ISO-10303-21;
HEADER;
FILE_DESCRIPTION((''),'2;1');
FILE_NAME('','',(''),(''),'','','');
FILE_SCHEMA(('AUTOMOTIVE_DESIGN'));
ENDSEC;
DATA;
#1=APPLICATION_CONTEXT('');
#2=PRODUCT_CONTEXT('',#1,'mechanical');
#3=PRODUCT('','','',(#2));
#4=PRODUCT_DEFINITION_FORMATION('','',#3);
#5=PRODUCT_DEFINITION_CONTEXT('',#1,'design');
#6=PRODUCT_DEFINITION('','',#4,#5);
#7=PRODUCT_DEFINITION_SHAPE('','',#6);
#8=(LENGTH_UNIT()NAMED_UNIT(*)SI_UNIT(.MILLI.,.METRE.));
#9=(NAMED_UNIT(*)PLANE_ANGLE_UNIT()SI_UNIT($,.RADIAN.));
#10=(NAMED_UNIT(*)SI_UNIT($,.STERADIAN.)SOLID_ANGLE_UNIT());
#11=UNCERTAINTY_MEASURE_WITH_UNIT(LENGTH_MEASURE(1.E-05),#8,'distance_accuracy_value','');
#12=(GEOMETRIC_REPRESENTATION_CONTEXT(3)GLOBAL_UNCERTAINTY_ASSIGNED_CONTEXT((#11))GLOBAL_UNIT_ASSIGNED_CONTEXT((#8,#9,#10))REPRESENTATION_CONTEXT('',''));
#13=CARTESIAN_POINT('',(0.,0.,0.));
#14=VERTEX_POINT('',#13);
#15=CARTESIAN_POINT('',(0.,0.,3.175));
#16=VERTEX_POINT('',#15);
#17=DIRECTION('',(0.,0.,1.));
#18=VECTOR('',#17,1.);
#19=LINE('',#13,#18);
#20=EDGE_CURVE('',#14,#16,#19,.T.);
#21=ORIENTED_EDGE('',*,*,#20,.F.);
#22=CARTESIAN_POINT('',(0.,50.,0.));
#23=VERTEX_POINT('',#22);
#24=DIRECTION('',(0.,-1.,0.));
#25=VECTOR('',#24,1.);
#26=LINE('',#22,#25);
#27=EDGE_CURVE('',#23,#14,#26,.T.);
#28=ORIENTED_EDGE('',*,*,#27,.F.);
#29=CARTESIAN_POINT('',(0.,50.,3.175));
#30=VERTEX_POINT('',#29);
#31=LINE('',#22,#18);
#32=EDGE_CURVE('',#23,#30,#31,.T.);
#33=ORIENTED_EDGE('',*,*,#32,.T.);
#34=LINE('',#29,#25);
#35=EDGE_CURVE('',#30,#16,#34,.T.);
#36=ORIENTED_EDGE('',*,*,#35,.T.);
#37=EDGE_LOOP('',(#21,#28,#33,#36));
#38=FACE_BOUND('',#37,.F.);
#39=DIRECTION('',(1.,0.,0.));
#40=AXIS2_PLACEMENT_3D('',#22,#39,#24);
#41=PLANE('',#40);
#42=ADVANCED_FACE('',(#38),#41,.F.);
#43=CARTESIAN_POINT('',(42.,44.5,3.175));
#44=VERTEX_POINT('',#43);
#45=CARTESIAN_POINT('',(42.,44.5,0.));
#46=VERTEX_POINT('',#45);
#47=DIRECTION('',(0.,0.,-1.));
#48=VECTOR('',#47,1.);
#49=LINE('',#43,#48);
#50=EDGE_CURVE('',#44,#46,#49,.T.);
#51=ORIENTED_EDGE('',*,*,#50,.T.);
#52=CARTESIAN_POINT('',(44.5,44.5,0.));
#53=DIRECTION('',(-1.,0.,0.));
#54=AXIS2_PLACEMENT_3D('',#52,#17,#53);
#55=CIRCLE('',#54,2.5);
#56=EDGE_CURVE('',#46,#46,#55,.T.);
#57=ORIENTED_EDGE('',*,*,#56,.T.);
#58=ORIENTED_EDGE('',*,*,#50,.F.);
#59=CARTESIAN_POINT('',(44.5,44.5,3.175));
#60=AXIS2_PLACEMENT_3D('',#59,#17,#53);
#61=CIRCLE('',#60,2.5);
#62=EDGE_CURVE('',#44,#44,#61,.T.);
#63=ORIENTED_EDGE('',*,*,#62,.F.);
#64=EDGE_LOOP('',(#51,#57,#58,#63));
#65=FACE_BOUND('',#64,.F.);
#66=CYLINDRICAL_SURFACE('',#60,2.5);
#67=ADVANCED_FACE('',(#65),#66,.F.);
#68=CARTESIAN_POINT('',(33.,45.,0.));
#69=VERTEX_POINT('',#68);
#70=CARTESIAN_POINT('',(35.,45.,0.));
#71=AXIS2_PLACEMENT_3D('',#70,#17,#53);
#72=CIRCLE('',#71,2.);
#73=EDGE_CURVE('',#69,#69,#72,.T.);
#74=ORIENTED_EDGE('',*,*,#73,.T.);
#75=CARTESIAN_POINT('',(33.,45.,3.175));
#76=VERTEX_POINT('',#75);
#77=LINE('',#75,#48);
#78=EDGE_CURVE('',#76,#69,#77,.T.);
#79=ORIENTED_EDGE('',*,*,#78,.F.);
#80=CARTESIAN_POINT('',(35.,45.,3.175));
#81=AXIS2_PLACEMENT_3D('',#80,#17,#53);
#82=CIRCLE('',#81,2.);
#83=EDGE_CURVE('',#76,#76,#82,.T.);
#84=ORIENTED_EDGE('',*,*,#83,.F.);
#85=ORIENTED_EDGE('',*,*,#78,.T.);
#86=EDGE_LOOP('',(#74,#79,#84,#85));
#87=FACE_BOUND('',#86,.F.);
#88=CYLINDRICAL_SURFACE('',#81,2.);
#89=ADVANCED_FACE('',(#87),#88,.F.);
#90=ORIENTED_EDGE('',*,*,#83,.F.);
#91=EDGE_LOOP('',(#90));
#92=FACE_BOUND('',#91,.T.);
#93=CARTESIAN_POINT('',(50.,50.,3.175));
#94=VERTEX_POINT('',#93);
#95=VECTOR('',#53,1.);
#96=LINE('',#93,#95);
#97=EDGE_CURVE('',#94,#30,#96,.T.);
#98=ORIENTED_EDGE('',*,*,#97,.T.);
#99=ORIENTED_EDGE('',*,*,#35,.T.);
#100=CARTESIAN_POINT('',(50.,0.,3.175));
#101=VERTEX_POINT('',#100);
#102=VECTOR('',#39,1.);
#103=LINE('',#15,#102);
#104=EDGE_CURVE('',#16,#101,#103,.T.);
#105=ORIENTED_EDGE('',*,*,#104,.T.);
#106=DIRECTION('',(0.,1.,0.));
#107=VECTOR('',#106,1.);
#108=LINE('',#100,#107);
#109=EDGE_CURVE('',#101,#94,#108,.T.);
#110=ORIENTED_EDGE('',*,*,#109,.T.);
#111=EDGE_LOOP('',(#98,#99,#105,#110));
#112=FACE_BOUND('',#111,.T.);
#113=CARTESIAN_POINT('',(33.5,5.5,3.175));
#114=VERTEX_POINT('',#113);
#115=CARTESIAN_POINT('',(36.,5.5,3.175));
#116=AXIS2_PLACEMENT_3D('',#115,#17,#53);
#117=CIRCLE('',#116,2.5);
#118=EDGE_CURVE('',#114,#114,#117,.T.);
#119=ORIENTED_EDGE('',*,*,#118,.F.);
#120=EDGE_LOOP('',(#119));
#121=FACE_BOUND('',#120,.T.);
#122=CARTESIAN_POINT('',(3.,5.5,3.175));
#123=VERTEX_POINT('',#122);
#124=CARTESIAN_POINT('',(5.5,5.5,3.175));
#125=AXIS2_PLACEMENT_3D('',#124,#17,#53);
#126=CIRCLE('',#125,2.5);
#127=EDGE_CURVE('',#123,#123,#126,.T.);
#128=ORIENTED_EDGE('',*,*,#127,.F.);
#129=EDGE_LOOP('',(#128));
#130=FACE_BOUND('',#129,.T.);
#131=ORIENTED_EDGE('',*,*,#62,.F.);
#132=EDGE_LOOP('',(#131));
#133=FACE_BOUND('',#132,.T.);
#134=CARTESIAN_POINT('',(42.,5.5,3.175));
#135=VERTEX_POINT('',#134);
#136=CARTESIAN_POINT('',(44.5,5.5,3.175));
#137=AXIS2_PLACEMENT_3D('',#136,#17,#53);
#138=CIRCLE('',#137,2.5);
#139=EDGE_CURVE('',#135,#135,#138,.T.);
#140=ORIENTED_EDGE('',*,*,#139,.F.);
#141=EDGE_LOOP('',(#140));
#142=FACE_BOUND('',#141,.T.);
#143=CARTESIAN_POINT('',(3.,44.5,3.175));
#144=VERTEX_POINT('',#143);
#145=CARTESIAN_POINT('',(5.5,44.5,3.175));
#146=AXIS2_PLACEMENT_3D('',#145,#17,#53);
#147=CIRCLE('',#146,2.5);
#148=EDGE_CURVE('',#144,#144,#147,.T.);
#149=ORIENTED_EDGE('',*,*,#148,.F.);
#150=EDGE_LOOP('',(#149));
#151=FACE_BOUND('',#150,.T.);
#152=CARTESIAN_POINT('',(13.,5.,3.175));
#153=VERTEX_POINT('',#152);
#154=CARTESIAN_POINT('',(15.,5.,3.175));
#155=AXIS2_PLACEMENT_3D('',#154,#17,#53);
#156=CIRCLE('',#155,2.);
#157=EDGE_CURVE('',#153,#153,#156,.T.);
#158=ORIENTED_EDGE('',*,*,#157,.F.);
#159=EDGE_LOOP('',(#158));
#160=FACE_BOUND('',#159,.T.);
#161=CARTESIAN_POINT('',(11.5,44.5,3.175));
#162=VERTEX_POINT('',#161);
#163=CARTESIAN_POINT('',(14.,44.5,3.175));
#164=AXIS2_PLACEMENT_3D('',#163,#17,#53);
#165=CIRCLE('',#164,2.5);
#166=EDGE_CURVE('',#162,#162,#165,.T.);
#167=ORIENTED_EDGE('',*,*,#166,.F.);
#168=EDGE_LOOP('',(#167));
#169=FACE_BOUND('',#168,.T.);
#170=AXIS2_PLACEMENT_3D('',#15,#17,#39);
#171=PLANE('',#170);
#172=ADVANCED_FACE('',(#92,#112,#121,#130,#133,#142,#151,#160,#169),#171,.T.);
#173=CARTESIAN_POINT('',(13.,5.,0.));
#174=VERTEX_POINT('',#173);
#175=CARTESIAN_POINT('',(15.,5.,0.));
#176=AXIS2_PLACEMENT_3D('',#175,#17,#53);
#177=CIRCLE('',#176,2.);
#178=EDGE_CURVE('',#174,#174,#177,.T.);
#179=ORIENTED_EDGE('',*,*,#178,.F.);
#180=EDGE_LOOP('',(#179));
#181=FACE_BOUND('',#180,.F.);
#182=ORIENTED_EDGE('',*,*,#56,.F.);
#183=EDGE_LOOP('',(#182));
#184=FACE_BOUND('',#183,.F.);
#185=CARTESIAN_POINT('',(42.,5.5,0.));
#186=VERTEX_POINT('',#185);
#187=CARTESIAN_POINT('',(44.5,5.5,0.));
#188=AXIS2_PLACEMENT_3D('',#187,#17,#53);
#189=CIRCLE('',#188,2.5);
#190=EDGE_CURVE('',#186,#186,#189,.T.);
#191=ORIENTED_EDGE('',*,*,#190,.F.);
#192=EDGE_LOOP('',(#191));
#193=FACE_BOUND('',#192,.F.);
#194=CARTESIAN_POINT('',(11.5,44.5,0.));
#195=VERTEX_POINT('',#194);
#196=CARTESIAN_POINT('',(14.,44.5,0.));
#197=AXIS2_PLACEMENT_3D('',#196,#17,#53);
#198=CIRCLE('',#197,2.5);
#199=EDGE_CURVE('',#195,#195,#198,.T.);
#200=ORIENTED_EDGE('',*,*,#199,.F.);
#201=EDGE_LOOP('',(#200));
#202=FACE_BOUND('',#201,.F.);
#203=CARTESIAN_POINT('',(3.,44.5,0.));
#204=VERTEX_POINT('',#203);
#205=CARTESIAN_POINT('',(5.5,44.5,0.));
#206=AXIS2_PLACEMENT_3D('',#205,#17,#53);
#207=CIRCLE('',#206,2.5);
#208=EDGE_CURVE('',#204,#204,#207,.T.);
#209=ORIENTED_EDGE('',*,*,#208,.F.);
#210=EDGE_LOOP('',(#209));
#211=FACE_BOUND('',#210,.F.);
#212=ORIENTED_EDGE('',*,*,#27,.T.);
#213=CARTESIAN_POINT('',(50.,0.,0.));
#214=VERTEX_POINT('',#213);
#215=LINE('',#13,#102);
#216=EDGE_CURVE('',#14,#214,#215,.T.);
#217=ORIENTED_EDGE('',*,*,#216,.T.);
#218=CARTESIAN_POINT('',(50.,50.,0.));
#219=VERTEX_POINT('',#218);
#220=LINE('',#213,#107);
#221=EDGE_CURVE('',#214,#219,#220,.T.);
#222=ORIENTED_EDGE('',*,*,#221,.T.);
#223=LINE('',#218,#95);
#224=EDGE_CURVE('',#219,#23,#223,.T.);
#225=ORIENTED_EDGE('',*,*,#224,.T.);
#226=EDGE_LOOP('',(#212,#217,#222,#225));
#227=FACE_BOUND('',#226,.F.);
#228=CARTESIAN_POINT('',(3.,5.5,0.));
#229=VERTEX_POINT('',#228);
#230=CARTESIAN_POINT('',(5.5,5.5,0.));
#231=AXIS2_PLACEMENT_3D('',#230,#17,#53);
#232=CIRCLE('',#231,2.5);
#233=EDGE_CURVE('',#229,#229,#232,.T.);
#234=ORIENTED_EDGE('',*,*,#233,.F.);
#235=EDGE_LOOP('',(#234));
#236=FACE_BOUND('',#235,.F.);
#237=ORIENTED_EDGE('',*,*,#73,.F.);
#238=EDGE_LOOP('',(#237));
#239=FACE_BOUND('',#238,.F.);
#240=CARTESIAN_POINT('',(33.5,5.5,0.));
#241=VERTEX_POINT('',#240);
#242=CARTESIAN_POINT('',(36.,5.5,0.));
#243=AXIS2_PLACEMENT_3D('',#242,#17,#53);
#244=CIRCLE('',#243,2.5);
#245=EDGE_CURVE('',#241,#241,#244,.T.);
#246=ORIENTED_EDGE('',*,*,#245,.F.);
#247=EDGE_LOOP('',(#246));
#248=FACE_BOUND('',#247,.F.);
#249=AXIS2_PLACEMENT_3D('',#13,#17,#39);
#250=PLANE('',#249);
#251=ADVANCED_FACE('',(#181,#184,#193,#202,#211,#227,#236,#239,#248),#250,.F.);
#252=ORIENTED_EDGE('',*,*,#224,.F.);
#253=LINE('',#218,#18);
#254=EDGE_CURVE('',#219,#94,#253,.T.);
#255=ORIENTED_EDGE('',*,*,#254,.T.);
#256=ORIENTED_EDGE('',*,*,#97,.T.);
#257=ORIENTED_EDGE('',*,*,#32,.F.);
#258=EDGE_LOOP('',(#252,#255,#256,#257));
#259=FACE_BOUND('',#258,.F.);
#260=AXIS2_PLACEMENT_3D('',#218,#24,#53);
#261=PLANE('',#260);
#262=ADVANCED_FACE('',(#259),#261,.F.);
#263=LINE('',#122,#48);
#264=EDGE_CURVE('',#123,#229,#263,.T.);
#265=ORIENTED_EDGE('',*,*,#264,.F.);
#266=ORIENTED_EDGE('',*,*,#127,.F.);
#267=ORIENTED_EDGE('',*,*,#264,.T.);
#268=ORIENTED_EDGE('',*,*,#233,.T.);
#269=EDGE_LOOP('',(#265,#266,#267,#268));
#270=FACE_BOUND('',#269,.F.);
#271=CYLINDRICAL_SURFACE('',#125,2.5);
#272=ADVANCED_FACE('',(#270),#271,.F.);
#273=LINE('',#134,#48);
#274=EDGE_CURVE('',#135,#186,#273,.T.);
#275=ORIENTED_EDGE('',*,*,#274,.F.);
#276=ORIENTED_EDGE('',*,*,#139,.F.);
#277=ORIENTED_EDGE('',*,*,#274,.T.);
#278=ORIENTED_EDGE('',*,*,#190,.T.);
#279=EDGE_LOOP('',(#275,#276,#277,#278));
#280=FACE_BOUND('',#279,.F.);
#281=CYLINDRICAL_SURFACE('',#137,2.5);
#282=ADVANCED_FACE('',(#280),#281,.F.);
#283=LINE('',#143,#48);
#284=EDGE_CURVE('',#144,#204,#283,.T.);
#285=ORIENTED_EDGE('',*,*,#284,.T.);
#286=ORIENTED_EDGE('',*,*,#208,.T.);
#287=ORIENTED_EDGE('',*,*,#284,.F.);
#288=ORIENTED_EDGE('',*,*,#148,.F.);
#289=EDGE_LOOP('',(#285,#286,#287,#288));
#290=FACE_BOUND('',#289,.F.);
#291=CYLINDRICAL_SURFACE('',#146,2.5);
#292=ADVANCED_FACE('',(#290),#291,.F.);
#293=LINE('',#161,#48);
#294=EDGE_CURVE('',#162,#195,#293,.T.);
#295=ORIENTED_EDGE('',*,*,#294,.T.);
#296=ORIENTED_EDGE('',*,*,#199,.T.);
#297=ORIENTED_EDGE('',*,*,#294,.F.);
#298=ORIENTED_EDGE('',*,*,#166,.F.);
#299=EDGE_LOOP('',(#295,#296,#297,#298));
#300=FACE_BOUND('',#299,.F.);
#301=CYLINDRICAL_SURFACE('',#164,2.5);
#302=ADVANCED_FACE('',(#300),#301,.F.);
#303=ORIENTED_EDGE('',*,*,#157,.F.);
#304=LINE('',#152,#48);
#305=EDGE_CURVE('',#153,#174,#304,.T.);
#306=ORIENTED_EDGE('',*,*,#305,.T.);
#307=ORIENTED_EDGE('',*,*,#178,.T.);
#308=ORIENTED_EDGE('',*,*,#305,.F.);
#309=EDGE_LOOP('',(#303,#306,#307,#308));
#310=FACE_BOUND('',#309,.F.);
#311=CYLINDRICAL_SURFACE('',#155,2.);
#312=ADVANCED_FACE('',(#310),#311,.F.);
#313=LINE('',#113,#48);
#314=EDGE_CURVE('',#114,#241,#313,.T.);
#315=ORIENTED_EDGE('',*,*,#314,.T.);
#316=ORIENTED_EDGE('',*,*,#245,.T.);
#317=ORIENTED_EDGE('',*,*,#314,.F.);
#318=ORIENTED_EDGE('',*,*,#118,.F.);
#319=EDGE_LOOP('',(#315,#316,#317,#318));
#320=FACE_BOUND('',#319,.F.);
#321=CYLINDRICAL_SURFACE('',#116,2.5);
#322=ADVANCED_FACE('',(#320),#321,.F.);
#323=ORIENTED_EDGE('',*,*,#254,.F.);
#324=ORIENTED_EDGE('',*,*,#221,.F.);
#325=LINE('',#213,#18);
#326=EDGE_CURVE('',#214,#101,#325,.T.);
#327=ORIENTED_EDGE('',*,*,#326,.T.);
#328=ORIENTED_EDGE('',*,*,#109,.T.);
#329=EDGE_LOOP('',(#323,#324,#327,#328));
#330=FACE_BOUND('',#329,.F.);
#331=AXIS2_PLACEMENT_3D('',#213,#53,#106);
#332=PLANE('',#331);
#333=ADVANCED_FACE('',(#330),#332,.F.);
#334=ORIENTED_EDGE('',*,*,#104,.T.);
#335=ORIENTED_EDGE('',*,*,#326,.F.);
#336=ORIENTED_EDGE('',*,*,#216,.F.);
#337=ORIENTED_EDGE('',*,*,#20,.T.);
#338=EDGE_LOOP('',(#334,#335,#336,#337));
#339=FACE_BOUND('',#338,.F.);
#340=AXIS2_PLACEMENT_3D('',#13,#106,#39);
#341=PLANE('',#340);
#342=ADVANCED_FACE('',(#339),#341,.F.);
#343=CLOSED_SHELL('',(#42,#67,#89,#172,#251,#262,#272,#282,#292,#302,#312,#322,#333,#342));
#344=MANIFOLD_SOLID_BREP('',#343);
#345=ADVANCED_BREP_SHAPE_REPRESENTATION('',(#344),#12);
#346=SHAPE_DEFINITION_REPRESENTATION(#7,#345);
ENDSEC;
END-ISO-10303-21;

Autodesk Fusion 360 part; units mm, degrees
sketch "Esquisse1" plane through (0, 0, 0) normal (0, 0, 1) x (1, 0, 0)
  line L0 (0, 0) -> (50, 0)
  line L1 (50, 0) -> (50, 50)
  line L2 (50, 50) -> (0, 50)
  line L3 (0, 50) -> (0, 0)
  dimension "d1" = 50
  dimension "d2" = 50
extrude "Extrusion1" add sketch "Esquisse1" along normal blind 3.175
sketch "Esquisse2" plane through (0, 0, 3.175) normal (0, 0, 1) x (-1, 0, 0)
  line L0 (0, -50) -> (0, 0)
  line L1 (0, 0) -> (-50, 0)
  line L2 (-50, 0) -> (-50, -50)
  line L3 (-50, -50) -> (0, -50)
  line L4 (-50, -50) -> (0, 0) construction
  circle A0 centre (-5.5, -44.5) radius 2.5
  circle A1 centre (-44.5, -44.5) radius 2.5
  circle A2 centre (-44.5, -5.5) radius 2.5
  circle A3 centre (-5.5, -5.5) radius 2.5
  line L5 (-44.5, -5.5) -> (-5.5, -44.5) construction
  line L6 (-5.5, -5.5) -> (-44.5, -44.5) construction
  point P0 (-47, -5.5)
  point P1 (-44.5, -3)
  dimension "d5" = 3
  dimension "d6" = 3
  dimension "d7" = 5
extrude "Extrusion2" cut sketch "Esquisse2" against normal up to surface (3.175 mm away) contours A0 | A1 | A2 | A3
sketch "Esquisse3" plane through (0, 0, 3.175) normal (0, 0, 1) x (-1, 0, 0)
  circle A0 centre (-5.5, -5.5) radius 2.5
  circle A1 centre (-44.5, -5.5) radius 2.5
  circle A2 centre (-5.5, -44.5) radius 2.5
  circle A3 centre (-44.5, -44.5) radius 2.5
  line L0 (0, -50) -> (0, 0)
  line L1 (0, 0) -> (-50, 0)
  line L2 (-50, 0) -> (-50, -50)
  line L3 (-50, -50) -> (0, -50)
  line L4 (-50, -50) -> (0, 0) construction
  circle A4 centre (-35, -45) radius 2
  circle A5 centre (-15, -5) radius 2
  line L5 (-15, -5) -> (-35, -45) construction
  point P0 (-25, -25)
  point P1 (-35, -47)
  dimension "d10" = 4
  dimension "d11" = 10
  dimension "d12" = 3
extrude "Extrusion3" cut sketch "Esquisse3" against normal up to surface (3.175 mm away) contours A4 | A5
sketch "Esquisse4" plane through (0, 0, 3.175) normal (0, 0, 1) x (-1, 0, 0)
  circle A0 centre (-35, -45) radius 2
  circle A1 centre (-15, -5) radius 2
  circle A2 centre (-5.5, -5.5) radius 2.5
  circle A3 centre (-44.5, -5.5) radius 2.5
  circle A4 centre (-5.5, -44.5) radius 2.5
  circle A5 centre (-44.5, -44.5) radius 2.5
  line L0 (0, -50) -> (0, 0)
  line L1 (0, 0) -> (-50, 0)
  line L2 (-50, 0) -> (-50, -50)
  line L3 (-50, -50) -> (0, -50)
  line L4 (-10, -40) -> (-40, -40) construction
  line L5 (-40, -40) -> (-40, -10) construction
  line L6 (-40, -10) -> (-10, -10) construction
  line L7 (-10, -10) -> (-10, -40) construction
  line L8 (-10, -40) -> (-40, -10) construction
  line L9 (0, 0) -> (-50, -50) construction
  circle A6 centre (-14, -44.5) radius 2.5
  circle A7 centre (-36, -5.5) radius 2.5
  line L10 (-36, -5.5) -> (-14, -44.5) construction
  point P0 (-14, -42)
  dimension "d15" = 30
  dimension "d16" = 30
  dimension "d17" = 5
  dimension "d18" = 2
  dimension "d19" = 4
extrude "Extrusion4" cut sketch "Esquisse4" against normal up to surface (3.175 mm away) contours A6 | A7
sketch "Esquisse5" plane through (0, 0, 3.175) normal (0, 0, 1) x (-1, 0, 0)
  circle A0 centre (-14, -44.5) radius 2.5
  circle A1 centre (-36, -5.5) radius 2.5
  circle A2 centre (-35, -45) radius 2
  circle A3 centre (-15, -5) radius 2
  circle A4 centre (-5.5, -5.5) radius 2.5
  circle A5 centre (-44.5, -5.5) radius 2.5
  circle A6 centre (-5.5, -44.5) radius 2.5
  circle A7 centre (-44.5, -44.5) radius 2.5
  line L0 (0, -50) -> (0, 0)
  line L1 (0, 0) -> (-50, 0)
  line L2 (-50, 0) -> (-50, -50)
  line L3 (-50, -50) -> (0, -50)
  line L4 (-10, -40) -> (-40, -40)
  line L5 (-40, -40) -> (-40, -10)
  line L6 (-40, -10) -> (-10, -10)
  line L7 (-10, -10) -> (-10, -40)
  point P0 (-40, -25)
  point P1 (-50, -25)
  point P2 (-25, -40)
  point P3 (-25, -50)
  dimension "d22" = 30
sketch "Esquisse6" plane through (0, 0, 0) normal (0, 0, -1) x (1, 0, 0)
  circle A0 centre (14, -44.5) radius 2.5
  circle A1 centre (36, -5.5) radius 2.5
  circle A2 centre (35, -45) radius 2
  circle A3 centre (15, -5) radius 2
  circle A4 centre (5.5, -5.5) radius 2.5
  circle A5 centre (44.5, -5.5) radius 2.5
  circle A6 centre (5.5, -44.5) radius 2.5
  circle A7 centre (44.5, -44.5) radius 2.5
  line L0 (0, 0) -> (0, -50)
  line L1 (0, -50) -> (50, -50)
  line L2 (50, -50) -> (50, 0)
  line L3 (50, 0) -> (0, 0)
  line L4 (0, -10) -> (50, -10)
  line L5 (50, -10) -> (50, -40)
  line L6 (50, -40) -> (0, -40)
  line L7 (0, -40) -> (0, -10)
  point P0 (10, -40)
  point P1 (10, -10)
equation "d3 = 1 / 8 * 1 in"

Autodesk Fusion 360 part; units mm, degrees
sketch "Esquisse1" plane through (0, 0, 0) normal (0, 0, 1) x (1, 0, 0)
  line L0 (0, 0) -> (50, 0)
  line L1 (50, 0) -> (50, 50)
  line L2 (50, 50) -> (0, 50)
  line L3 (0, 50) -> (0, 0)
  dimension "d1" = 50
  dimension "d2" = 50
extrude "Extrusion1" add sketch "Esquisse1" along normal blind 3.175
sketch "Esquisse2" plane through (0, 0, 3.175) normal (0, 0, 1) x (-1, 0, 0)
  line L0 (0, -50) -> (0, 0)
  line L1 (0, 0) -> (-50, 0)
  line L2 (-50, 0) -> (-50, -50)
  line L3 (-50, -50) -> (0, -50)
  line L4 (-50, -50) -> (0, 0) construction
  circle A0 centre (-5.5, -44.5) radius 2.5
  circle A1 centre (-44.5, -44.5) radius 2.5
  circle A2 centre (-44.5, -5.5) radius 2.5
  circle A3 centre (-5.5, -5.5) radius 2.5
  line L5 (-44.5, -5.5) -> (-5.5, -44.5) construction
  line L6 (-5.5, -5.5) -> (-44.5, -44.5) construction
  point P0 (-47, -5.5)
  point P1 (-44.5, -3)
  dimension "d5" = 3
  dimension "d6" = 3
  dimension "d7" = 5
extrude "Extrusion2" cut sketch "Esquisse2" against normal up to surface (3.175 mm away) contours A0 | A1 | A2 | A3
sketch "Esquisse3" plane through (0, 0, 3.175) normal (0, 0, 1) x (-1, 0, 0)
  circle A0 centre (-5.5, -5.5) radius 2.5
  circle A1 centre (-44.5, -5.5) radius 2.5
  circle A2 centre (-5.5, -44.5) radius 2.5
  circle A3 centre (-44.5, -44.5) radius 2.5
  line L0 (0, -50) -> (0, 0)
  line L1 (0, 0) -> (-50, 0)
  line L2 (-50, 0) -> (-50, -50)
  line L3 (-50, -50) -> (0, -50)
  line L4 (-50, -50) -> (0, 0) construction
  circle A4 centre (-35, -45) radius 2
  circle A5 centre (-15, -5) radius 2
  line L5 (-15, -5) -> (-35, -45) construction
  point P0 (-25, -25)
  point P1 (-35, -47)
  dimension "d10" = 4
  dimension "d11" = 10
  dimension "d12" = 3
extrude "Extrusion3" cut sketch "Esquisse3" against normal up to surface (3.175 mm away) contours A4 | A5
sketch "Esquisse4" plane through (0, 0, 3.175) normal (0, 0, 1) x (-1, 0, 0)
  circle A0 centre (-35, -45) radius 2
  circle A1 centre (-15, -5) radius 2
  circle A2 centre (-5.5, -5.5) radius 2.5
  circle A3 centre (-44.5, -5.5) radius 2.5
  circle A4 centre (-5.5, -44.5) radius 2.5
  circle A5 centre (-44.5, -44.5) radius 2.5
  line L0 (0, -50) -> (0, 0)
  line L1 (0, 0) -> (-50, 0)
  line L2 (-50, 0) -> (-50, -50)
  line L3 (-50, -50) -> (0, -50)
  line L4 (-10, -40) -> (-40, -40) construction
  line L5 (-40, -40) -> (-40, -10) construction
  line L6 (-40, -10) -> (-10, -10) construction
  line L7 (-10, -10) -> (-10, -40) construction
  line L8 (-10, -40) -> (-40, -10) construction
  line L9 (0, 0) -> (-50, -50) construction
  circle A6 centre (-14, -44.5) radius 2.5
  circle A7 centre (-36, -5.5) radius 2.5
  line L10 (-36, -5.5) -> (-14, -44.5) construction
  point P0 (-14, -42)
  dimension "d15" = 30
  dimension "d16" = 30
  dimension "d17" = 5
  dimension "d18" = 2
  dimension "d19" = 4
extrude "Extrusion4" cut sketch "Esquisse4" against normal up to surface (3.175 mm away) contours A6 | A7
sketch "Esquisse5" plane through (0, 0, 3.175) normal (0, 0, 1) x (-1, 0, 0)
  circle A0 centre (-14, -44.5) radius 2.5
  circle A1 centre (-36, -5.5) radius 2.5
  circle A2 centre (-35, -45) radius 2
  circle A3 centre (-15, -5) radius 2
  circle A4 centre (-5.5, -5.5) radius 2.5
  circle A5 centre (-44.5, -5.5) radius 2.5
  circle A6 centre (-5.5, -44.5) radius 2.5
  circle A7 centre (-44.5, -44.5) radius 2.5
  line L0 (0, -50) -> (0, 0)
  line L1 (0, 0) -> (-50, 0)
  line L2 (-50, 0) -> (-50, -50)
  line L3 (-50, -50) -> (0, -50)
  line L4 (-10, -40) -> (-40, -40)
  line L5 (-40, -40) -> (-40, -10)
  line L6 (-40, -10) -> (-10, -10)
  line L7 (-10, -10) -> (-10, -40)
  point P0 (-40, -25)
  point P1 (-50, -25)
  point P2 (-25, -40)
  point P3 (-25, -50)
  dimension "d22" = 30
sketch "Esquisse6" plane through (0, 0, 0) normal (0, 0, -1) x (1, 0, 0)
  circle A0 centre (14, -44.5) radius 2.5
  circle A1 centre (36, -5.5) radius 2.5
  circle A2 centre (35, -45) radius 2
  circle A3 centre (15, -5) radius 2
  circle A4 centre (5.5, -5.5) radius 2.5
  circle A5 centre (44.5, -5.5) radius 2.5
  circle A6 centre (5.5, -44.5) radius 2.5
  circle A7 centre (44.5, -44.5) radius 2.5
  line L0 (0, 0) -> (0, -50)
  line L1 (0, -50) -> (50, -50)
  line L2 (50, -50) -> (50, 0)
  line L3 (50, 0) -> (0, 0)
  line L4 (0, -10) -> (50, -10)
  line L5 (50, -10) -> (50, -40)
  line L6 (50, -40) -> (0, -40)
  line L7 (0, -40) -> (0, -10)
  point P0 (10, -40)
  point P1 (10, -10)
equation "d3 = 1 / 8 * 1 in"
